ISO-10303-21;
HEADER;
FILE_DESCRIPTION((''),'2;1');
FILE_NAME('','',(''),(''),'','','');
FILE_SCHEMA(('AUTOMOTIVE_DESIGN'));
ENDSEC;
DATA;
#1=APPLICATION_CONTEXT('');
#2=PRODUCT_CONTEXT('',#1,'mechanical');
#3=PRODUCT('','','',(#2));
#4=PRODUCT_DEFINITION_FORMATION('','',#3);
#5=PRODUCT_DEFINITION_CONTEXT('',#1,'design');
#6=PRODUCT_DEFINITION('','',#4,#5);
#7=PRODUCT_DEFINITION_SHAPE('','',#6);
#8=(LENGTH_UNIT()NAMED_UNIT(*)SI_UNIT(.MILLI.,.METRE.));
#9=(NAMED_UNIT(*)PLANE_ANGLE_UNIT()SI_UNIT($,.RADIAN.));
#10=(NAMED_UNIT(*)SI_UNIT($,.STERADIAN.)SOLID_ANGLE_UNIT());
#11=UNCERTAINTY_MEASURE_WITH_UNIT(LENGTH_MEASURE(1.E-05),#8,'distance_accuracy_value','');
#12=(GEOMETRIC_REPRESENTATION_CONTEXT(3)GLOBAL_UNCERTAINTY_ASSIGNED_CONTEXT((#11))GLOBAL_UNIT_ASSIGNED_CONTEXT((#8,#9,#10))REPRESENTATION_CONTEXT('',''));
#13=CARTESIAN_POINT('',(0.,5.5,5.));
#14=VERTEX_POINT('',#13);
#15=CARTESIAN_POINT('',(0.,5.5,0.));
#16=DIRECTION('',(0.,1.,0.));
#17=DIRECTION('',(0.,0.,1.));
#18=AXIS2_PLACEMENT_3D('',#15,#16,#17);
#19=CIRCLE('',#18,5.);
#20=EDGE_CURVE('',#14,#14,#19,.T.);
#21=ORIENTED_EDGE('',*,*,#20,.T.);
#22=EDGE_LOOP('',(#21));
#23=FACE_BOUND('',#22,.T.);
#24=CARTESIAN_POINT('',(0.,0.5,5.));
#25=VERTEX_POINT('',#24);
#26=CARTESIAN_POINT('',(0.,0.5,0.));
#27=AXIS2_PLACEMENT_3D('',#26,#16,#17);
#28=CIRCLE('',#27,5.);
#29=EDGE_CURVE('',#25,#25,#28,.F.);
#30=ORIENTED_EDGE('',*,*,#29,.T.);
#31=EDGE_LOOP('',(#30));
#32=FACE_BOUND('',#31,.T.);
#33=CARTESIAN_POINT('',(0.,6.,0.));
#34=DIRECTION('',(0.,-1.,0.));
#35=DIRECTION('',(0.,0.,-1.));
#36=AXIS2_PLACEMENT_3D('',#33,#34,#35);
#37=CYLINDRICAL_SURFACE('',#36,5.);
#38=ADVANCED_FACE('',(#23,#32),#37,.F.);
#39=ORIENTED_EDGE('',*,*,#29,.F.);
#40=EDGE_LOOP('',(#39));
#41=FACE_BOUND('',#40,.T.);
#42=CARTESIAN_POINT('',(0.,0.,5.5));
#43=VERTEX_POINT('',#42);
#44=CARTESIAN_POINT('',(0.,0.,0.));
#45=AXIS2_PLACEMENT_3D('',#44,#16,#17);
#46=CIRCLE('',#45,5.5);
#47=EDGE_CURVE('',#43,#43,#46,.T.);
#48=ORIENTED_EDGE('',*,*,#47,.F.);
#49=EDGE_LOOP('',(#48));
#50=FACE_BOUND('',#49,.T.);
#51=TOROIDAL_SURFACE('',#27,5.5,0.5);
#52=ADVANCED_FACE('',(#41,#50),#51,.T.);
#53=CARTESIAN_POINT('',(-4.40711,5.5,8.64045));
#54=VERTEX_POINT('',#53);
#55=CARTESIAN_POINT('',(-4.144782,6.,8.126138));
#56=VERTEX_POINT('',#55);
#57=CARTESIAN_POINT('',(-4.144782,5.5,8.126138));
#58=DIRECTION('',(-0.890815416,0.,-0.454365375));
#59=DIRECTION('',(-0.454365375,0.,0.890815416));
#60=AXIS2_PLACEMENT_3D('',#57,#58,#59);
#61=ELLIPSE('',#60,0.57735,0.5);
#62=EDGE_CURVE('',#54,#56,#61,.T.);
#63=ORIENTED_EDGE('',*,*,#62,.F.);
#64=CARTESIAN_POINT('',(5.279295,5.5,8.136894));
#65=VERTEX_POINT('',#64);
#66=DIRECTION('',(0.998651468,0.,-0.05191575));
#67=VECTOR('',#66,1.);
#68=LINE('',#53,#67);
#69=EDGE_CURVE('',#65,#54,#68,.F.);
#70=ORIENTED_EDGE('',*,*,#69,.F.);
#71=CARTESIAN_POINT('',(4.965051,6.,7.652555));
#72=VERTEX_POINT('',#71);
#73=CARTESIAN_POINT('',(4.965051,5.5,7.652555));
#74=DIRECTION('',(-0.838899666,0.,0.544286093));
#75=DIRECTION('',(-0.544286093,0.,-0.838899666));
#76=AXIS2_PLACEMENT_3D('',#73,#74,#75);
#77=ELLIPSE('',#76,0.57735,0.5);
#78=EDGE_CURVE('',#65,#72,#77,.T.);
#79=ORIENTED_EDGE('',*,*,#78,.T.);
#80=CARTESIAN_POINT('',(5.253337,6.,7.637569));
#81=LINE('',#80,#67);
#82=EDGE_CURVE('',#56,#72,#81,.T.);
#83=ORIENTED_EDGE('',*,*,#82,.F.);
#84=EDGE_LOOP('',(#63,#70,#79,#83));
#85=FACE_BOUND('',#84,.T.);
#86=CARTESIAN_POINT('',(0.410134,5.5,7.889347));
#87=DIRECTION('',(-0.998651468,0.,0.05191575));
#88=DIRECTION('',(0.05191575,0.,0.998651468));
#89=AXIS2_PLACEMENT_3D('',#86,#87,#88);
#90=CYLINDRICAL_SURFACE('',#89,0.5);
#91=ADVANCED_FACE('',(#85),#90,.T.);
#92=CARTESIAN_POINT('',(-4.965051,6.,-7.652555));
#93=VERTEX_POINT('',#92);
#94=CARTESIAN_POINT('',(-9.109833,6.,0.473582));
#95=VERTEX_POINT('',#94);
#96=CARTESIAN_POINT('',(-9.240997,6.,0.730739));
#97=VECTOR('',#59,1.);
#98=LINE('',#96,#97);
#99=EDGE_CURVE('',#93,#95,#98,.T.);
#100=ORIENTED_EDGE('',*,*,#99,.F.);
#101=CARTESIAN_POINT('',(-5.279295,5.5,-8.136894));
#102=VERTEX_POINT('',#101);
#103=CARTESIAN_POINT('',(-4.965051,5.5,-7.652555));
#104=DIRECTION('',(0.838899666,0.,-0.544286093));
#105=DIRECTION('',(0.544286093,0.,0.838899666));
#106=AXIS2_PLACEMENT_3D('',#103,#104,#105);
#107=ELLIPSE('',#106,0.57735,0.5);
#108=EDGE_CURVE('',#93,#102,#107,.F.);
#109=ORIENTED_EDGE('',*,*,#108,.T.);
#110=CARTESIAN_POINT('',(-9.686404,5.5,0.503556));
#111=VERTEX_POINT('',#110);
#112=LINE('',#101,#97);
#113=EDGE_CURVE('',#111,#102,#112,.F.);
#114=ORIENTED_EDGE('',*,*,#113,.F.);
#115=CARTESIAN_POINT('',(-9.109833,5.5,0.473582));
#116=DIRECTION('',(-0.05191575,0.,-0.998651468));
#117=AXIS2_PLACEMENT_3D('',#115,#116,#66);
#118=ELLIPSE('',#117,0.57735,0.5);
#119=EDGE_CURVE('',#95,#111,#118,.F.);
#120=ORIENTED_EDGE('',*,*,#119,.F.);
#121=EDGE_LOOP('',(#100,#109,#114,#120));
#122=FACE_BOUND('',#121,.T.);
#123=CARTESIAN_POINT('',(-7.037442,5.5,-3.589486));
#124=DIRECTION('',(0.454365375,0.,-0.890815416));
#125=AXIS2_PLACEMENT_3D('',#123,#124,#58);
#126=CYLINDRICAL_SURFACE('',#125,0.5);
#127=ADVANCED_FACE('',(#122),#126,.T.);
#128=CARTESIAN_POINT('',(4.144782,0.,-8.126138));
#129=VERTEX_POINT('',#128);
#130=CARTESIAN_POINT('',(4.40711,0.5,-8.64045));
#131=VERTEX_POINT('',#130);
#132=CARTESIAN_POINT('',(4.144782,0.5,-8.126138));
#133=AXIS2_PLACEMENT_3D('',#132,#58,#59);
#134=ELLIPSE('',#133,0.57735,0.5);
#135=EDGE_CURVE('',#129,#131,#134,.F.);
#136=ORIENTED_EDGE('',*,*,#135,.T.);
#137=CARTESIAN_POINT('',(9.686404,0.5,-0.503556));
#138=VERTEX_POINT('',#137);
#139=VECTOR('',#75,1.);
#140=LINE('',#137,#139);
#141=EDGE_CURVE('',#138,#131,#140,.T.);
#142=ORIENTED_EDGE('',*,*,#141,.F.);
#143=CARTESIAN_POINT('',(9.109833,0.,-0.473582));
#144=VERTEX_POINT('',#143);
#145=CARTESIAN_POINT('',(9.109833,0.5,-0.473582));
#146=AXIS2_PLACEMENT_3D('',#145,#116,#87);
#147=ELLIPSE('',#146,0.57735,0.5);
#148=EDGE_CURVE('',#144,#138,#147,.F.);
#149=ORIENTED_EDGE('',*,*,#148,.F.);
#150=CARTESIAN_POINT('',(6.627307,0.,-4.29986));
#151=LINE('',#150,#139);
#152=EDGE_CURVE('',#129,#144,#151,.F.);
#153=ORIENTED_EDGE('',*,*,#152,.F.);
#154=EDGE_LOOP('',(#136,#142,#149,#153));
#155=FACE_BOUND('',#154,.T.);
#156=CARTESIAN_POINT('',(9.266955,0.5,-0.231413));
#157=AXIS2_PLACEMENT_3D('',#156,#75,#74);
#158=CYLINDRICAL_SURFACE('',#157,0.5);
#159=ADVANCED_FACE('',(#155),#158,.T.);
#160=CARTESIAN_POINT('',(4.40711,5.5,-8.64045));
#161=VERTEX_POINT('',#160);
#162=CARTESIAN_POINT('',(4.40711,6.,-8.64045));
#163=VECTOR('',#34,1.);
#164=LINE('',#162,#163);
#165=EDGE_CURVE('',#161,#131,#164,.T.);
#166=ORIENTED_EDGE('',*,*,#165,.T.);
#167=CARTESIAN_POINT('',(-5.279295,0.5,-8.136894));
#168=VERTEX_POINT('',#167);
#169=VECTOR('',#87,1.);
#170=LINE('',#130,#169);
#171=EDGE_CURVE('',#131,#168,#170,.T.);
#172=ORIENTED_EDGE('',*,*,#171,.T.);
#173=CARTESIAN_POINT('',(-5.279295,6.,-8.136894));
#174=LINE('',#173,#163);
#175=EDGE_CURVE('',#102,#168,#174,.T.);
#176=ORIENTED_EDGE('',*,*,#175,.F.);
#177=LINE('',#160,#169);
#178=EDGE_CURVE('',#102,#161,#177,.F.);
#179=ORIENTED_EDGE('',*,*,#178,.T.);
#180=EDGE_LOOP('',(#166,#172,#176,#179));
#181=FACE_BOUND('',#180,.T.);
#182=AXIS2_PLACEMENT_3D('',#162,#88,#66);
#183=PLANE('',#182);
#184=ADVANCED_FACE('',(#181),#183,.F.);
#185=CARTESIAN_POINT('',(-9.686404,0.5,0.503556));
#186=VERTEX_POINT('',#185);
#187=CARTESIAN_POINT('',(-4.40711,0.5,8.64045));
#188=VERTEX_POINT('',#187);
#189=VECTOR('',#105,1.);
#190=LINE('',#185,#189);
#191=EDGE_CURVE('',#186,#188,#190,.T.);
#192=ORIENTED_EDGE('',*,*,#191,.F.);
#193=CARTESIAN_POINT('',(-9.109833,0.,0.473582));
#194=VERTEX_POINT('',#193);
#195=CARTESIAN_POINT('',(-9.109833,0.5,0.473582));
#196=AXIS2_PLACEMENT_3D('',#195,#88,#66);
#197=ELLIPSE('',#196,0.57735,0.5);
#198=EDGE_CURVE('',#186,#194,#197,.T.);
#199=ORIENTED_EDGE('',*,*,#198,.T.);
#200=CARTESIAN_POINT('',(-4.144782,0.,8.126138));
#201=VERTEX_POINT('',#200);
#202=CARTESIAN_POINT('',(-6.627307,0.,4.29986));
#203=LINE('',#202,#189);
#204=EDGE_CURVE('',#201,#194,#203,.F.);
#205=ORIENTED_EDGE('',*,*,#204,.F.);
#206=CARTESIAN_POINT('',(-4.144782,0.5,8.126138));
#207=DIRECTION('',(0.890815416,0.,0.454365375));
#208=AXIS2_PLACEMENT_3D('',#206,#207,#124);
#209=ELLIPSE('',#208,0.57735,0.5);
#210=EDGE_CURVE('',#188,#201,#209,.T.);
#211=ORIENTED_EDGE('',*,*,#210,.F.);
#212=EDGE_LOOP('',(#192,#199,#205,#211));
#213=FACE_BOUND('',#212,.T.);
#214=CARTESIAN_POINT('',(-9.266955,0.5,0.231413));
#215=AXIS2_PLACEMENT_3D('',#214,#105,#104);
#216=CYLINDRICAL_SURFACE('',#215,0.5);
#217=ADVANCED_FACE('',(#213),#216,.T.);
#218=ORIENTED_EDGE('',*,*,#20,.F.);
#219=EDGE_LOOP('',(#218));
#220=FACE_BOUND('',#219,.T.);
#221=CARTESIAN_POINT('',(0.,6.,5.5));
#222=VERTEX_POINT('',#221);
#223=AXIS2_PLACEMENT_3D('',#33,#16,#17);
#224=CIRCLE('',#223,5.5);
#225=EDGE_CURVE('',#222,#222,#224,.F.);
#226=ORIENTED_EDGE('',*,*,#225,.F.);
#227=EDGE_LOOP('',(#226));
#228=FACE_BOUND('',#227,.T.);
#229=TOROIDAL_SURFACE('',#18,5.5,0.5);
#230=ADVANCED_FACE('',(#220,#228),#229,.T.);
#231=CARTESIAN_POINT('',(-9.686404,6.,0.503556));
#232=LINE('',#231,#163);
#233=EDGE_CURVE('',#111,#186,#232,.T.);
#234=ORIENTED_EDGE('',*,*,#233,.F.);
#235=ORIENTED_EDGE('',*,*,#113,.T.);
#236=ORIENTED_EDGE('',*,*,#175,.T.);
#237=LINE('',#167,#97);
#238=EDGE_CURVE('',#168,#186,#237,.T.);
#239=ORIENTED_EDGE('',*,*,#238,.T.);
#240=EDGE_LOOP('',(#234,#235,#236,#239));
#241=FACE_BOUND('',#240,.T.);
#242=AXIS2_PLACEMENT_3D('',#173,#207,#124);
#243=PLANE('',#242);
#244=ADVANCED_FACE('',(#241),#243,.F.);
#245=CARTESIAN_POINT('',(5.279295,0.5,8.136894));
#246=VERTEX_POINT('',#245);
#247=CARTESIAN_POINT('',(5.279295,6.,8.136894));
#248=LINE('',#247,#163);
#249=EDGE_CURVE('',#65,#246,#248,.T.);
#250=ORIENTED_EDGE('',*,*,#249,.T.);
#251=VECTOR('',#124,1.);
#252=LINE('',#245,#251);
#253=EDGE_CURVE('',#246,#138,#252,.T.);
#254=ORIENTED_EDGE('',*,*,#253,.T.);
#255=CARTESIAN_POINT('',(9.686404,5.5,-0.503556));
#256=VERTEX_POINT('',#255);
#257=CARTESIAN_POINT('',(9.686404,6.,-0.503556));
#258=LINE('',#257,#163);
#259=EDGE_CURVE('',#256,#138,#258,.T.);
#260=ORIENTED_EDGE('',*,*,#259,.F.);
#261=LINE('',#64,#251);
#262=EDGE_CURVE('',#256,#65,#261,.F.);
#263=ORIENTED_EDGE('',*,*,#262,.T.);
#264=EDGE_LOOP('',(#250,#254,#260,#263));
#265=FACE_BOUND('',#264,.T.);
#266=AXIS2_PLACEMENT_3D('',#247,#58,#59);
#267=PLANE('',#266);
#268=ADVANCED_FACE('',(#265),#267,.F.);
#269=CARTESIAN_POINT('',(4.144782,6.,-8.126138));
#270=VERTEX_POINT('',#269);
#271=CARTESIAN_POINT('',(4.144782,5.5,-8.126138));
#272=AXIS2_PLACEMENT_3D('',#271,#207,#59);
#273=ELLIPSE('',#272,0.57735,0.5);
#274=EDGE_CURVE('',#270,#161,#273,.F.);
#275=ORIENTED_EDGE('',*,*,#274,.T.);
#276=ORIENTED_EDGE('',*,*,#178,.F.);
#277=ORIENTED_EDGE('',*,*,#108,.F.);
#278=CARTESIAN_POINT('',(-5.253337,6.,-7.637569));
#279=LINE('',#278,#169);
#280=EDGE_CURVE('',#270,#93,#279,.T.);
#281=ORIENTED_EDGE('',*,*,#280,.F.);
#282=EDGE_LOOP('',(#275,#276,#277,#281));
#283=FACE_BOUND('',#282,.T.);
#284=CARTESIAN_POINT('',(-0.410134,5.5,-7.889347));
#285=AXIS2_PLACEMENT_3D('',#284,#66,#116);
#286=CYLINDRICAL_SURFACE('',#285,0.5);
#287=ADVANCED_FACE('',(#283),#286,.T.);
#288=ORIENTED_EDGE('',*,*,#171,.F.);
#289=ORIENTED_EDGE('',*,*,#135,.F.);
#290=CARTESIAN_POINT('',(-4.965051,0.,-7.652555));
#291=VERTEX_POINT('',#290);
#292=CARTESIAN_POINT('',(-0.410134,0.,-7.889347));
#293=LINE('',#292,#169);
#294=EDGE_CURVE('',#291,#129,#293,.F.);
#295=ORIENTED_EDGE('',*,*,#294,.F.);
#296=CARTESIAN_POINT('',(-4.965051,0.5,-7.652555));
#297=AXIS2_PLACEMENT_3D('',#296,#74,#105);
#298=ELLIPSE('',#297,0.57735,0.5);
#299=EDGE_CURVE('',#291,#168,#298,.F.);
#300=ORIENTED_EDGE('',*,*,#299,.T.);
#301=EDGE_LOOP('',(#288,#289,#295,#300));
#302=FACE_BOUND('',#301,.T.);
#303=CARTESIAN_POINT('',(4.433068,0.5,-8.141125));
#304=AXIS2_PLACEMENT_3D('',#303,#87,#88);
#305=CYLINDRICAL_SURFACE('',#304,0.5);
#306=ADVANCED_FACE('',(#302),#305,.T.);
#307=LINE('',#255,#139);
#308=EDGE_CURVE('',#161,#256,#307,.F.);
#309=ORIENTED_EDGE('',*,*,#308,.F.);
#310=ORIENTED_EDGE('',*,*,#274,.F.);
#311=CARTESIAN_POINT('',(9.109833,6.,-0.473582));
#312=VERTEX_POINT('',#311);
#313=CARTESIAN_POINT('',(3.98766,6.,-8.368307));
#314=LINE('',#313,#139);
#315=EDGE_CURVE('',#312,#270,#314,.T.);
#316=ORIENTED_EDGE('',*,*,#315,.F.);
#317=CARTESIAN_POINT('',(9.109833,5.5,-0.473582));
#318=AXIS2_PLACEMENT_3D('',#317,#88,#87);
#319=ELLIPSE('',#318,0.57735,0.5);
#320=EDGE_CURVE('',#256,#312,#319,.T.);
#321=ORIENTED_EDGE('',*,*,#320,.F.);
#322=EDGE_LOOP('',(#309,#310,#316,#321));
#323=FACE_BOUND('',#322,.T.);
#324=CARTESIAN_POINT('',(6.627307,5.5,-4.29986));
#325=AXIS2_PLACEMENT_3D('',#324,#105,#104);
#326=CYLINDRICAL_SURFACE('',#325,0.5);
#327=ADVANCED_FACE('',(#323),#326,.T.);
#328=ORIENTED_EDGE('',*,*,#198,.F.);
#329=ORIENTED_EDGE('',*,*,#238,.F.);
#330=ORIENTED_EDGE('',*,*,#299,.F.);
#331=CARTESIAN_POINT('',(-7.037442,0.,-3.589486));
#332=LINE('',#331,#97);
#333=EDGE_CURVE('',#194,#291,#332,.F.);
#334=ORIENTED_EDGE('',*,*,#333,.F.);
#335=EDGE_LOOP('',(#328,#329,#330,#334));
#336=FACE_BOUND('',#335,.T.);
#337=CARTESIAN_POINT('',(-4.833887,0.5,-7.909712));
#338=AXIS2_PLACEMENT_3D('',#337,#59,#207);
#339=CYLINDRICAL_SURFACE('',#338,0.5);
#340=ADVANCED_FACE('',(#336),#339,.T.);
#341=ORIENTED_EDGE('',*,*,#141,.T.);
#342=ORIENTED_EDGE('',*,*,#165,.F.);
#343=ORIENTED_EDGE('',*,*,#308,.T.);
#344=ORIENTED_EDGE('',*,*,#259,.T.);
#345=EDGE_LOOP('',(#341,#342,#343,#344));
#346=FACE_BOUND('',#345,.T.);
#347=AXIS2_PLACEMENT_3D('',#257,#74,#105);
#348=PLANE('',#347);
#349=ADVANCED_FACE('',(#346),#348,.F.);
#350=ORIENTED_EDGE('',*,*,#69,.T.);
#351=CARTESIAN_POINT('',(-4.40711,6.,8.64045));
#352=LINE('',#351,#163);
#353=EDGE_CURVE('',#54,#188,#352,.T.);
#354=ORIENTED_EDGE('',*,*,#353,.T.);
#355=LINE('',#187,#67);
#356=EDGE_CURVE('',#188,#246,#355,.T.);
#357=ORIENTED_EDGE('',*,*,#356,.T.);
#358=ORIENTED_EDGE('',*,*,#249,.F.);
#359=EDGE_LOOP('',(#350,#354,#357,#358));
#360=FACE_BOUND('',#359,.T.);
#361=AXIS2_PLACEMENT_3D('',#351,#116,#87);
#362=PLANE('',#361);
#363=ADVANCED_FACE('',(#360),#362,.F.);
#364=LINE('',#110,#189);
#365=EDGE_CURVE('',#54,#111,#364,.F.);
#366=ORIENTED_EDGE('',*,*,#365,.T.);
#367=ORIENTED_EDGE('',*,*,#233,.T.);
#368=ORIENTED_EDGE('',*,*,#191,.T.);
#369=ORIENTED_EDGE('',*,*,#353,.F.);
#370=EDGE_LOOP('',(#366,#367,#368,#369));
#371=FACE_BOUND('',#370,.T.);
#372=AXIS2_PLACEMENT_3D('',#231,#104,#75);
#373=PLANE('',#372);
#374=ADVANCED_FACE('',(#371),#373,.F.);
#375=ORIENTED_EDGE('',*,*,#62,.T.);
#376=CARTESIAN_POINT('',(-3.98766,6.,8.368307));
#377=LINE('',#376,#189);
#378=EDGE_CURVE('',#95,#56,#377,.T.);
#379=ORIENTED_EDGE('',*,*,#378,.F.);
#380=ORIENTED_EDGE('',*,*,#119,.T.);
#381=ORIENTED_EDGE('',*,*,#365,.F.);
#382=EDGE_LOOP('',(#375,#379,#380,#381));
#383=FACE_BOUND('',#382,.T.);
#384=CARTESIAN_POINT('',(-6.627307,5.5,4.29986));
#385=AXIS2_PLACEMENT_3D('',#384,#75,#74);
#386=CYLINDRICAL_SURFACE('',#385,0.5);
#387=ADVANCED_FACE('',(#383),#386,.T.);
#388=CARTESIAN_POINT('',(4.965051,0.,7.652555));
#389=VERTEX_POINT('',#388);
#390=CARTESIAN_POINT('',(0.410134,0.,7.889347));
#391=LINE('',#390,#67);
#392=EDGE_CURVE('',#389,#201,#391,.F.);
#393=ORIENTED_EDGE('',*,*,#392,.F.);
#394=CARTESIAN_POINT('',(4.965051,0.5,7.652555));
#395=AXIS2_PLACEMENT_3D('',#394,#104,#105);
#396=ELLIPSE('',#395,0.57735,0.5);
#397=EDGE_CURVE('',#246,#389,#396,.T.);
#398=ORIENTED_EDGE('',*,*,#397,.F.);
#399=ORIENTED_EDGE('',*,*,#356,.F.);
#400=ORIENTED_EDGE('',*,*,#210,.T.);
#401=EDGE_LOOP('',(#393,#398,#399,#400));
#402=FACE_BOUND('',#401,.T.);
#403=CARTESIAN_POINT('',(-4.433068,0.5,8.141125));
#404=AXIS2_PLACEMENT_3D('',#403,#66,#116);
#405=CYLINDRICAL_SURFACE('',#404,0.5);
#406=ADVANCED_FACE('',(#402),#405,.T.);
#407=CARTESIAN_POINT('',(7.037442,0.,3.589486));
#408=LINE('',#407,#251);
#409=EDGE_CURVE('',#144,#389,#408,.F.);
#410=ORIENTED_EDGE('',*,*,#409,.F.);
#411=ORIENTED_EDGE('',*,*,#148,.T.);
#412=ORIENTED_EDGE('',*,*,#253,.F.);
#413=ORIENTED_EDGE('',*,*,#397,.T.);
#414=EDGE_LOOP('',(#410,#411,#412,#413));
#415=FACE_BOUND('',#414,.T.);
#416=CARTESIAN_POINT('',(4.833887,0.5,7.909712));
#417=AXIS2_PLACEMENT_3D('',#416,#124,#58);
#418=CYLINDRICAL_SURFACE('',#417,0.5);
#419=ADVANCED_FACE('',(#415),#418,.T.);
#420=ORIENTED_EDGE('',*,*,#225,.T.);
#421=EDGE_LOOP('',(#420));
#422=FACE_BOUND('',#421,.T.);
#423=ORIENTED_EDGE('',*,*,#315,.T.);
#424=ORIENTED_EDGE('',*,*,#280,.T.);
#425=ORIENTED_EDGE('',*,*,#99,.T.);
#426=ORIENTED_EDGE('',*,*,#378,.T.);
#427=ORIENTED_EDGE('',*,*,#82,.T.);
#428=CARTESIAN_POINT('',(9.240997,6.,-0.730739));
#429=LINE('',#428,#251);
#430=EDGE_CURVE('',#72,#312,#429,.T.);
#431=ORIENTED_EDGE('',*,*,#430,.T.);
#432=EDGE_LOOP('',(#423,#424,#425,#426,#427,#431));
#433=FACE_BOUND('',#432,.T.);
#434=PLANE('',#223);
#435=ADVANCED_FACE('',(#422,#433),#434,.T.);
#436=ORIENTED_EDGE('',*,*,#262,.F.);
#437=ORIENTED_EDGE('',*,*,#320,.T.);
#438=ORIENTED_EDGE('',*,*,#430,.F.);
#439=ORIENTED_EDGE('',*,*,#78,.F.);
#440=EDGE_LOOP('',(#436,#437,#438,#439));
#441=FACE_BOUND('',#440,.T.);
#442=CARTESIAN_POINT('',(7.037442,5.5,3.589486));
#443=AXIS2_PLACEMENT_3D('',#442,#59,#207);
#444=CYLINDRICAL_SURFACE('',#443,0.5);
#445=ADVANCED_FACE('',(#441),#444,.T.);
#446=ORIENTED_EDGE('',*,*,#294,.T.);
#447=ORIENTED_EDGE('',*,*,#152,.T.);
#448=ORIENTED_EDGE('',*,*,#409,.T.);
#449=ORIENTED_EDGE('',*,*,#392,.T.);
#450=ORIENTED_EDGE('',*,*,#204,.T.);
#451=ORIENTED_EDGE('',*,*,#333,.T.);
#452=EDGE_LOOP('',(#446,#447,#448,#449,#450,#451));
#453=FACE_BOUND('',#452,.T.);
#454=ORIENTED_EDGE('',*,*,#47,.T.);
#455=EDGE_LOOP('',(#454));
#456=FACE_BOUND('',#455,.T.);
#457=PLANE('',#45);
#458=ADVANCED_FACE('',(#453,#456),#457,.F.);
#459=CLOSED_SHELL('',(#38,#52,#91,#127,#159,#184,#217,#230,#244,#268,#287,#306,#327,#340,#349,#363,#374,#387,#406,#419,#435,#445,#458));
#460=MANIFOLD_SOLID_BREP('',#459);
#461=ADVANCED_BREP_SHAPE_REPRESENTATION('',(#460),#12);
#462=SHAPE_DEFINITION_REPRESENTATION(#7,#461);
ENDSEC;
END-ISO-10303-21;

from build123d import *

# Parameters (mm, degrees)
SKETCH1_R           = 5
BOSS_EXTRUDE1_DEPTH = 6
FILLET1_R           = 0.5


with BuildPart() as part:
    # Sketch1 → Boss-Extrude1 (new body)
    with BuildSketch(Plane(origin=(0, 0, 0), x_dir=(1, 0, 0), z_dir=(0, 1, 0))):
        Polygon((5.279294532, -8.136894324), (9.686404459, 0.503556016), (4.407109927, 8.640450341), (-5.279294532, 8.136894324), (-9.686404459, -0.503556016), (-4.407109927, -8.640450341), align=None)
        with Locations(Location((0, 0, 0), (0, 0, 270))):
            Circle(SKETCH1_R, mode=Mode.SUBTRACT)
    extrude(amount=BOSS_EXTRUDE1_DEPTH)

    # Fillet1
    fillet1_edges = [part.edges().sort_by_distance(p)[0] for p in [
        (7.046757193, 6, -4.572003179),
        (-0.436092303, 6, -8.388672333),
        (-7.482849495, 6, -3.816669154),
        (0, 0, -5),
        (0, 6, -5),
        (-7.046757193, 6, 4.572003179),
        (0.436092303, 6, 8.388672333),
        (-7.046757193, 0, 4.572003179),
        (-7.482849495, 0, -3.816669154),
        (-0.436092303, 0, -8.388672333),
        (7.482849495, 6, 3.816669154),
        (7.046757193, 0, -4.572003179),
        (7.482849495, 0, 3.816669154),
        (0.436092303, 0, 8.388672333),
    ]]
    fillet(fillet1_edges, radius=FILLET1_R)


solid = part.part
